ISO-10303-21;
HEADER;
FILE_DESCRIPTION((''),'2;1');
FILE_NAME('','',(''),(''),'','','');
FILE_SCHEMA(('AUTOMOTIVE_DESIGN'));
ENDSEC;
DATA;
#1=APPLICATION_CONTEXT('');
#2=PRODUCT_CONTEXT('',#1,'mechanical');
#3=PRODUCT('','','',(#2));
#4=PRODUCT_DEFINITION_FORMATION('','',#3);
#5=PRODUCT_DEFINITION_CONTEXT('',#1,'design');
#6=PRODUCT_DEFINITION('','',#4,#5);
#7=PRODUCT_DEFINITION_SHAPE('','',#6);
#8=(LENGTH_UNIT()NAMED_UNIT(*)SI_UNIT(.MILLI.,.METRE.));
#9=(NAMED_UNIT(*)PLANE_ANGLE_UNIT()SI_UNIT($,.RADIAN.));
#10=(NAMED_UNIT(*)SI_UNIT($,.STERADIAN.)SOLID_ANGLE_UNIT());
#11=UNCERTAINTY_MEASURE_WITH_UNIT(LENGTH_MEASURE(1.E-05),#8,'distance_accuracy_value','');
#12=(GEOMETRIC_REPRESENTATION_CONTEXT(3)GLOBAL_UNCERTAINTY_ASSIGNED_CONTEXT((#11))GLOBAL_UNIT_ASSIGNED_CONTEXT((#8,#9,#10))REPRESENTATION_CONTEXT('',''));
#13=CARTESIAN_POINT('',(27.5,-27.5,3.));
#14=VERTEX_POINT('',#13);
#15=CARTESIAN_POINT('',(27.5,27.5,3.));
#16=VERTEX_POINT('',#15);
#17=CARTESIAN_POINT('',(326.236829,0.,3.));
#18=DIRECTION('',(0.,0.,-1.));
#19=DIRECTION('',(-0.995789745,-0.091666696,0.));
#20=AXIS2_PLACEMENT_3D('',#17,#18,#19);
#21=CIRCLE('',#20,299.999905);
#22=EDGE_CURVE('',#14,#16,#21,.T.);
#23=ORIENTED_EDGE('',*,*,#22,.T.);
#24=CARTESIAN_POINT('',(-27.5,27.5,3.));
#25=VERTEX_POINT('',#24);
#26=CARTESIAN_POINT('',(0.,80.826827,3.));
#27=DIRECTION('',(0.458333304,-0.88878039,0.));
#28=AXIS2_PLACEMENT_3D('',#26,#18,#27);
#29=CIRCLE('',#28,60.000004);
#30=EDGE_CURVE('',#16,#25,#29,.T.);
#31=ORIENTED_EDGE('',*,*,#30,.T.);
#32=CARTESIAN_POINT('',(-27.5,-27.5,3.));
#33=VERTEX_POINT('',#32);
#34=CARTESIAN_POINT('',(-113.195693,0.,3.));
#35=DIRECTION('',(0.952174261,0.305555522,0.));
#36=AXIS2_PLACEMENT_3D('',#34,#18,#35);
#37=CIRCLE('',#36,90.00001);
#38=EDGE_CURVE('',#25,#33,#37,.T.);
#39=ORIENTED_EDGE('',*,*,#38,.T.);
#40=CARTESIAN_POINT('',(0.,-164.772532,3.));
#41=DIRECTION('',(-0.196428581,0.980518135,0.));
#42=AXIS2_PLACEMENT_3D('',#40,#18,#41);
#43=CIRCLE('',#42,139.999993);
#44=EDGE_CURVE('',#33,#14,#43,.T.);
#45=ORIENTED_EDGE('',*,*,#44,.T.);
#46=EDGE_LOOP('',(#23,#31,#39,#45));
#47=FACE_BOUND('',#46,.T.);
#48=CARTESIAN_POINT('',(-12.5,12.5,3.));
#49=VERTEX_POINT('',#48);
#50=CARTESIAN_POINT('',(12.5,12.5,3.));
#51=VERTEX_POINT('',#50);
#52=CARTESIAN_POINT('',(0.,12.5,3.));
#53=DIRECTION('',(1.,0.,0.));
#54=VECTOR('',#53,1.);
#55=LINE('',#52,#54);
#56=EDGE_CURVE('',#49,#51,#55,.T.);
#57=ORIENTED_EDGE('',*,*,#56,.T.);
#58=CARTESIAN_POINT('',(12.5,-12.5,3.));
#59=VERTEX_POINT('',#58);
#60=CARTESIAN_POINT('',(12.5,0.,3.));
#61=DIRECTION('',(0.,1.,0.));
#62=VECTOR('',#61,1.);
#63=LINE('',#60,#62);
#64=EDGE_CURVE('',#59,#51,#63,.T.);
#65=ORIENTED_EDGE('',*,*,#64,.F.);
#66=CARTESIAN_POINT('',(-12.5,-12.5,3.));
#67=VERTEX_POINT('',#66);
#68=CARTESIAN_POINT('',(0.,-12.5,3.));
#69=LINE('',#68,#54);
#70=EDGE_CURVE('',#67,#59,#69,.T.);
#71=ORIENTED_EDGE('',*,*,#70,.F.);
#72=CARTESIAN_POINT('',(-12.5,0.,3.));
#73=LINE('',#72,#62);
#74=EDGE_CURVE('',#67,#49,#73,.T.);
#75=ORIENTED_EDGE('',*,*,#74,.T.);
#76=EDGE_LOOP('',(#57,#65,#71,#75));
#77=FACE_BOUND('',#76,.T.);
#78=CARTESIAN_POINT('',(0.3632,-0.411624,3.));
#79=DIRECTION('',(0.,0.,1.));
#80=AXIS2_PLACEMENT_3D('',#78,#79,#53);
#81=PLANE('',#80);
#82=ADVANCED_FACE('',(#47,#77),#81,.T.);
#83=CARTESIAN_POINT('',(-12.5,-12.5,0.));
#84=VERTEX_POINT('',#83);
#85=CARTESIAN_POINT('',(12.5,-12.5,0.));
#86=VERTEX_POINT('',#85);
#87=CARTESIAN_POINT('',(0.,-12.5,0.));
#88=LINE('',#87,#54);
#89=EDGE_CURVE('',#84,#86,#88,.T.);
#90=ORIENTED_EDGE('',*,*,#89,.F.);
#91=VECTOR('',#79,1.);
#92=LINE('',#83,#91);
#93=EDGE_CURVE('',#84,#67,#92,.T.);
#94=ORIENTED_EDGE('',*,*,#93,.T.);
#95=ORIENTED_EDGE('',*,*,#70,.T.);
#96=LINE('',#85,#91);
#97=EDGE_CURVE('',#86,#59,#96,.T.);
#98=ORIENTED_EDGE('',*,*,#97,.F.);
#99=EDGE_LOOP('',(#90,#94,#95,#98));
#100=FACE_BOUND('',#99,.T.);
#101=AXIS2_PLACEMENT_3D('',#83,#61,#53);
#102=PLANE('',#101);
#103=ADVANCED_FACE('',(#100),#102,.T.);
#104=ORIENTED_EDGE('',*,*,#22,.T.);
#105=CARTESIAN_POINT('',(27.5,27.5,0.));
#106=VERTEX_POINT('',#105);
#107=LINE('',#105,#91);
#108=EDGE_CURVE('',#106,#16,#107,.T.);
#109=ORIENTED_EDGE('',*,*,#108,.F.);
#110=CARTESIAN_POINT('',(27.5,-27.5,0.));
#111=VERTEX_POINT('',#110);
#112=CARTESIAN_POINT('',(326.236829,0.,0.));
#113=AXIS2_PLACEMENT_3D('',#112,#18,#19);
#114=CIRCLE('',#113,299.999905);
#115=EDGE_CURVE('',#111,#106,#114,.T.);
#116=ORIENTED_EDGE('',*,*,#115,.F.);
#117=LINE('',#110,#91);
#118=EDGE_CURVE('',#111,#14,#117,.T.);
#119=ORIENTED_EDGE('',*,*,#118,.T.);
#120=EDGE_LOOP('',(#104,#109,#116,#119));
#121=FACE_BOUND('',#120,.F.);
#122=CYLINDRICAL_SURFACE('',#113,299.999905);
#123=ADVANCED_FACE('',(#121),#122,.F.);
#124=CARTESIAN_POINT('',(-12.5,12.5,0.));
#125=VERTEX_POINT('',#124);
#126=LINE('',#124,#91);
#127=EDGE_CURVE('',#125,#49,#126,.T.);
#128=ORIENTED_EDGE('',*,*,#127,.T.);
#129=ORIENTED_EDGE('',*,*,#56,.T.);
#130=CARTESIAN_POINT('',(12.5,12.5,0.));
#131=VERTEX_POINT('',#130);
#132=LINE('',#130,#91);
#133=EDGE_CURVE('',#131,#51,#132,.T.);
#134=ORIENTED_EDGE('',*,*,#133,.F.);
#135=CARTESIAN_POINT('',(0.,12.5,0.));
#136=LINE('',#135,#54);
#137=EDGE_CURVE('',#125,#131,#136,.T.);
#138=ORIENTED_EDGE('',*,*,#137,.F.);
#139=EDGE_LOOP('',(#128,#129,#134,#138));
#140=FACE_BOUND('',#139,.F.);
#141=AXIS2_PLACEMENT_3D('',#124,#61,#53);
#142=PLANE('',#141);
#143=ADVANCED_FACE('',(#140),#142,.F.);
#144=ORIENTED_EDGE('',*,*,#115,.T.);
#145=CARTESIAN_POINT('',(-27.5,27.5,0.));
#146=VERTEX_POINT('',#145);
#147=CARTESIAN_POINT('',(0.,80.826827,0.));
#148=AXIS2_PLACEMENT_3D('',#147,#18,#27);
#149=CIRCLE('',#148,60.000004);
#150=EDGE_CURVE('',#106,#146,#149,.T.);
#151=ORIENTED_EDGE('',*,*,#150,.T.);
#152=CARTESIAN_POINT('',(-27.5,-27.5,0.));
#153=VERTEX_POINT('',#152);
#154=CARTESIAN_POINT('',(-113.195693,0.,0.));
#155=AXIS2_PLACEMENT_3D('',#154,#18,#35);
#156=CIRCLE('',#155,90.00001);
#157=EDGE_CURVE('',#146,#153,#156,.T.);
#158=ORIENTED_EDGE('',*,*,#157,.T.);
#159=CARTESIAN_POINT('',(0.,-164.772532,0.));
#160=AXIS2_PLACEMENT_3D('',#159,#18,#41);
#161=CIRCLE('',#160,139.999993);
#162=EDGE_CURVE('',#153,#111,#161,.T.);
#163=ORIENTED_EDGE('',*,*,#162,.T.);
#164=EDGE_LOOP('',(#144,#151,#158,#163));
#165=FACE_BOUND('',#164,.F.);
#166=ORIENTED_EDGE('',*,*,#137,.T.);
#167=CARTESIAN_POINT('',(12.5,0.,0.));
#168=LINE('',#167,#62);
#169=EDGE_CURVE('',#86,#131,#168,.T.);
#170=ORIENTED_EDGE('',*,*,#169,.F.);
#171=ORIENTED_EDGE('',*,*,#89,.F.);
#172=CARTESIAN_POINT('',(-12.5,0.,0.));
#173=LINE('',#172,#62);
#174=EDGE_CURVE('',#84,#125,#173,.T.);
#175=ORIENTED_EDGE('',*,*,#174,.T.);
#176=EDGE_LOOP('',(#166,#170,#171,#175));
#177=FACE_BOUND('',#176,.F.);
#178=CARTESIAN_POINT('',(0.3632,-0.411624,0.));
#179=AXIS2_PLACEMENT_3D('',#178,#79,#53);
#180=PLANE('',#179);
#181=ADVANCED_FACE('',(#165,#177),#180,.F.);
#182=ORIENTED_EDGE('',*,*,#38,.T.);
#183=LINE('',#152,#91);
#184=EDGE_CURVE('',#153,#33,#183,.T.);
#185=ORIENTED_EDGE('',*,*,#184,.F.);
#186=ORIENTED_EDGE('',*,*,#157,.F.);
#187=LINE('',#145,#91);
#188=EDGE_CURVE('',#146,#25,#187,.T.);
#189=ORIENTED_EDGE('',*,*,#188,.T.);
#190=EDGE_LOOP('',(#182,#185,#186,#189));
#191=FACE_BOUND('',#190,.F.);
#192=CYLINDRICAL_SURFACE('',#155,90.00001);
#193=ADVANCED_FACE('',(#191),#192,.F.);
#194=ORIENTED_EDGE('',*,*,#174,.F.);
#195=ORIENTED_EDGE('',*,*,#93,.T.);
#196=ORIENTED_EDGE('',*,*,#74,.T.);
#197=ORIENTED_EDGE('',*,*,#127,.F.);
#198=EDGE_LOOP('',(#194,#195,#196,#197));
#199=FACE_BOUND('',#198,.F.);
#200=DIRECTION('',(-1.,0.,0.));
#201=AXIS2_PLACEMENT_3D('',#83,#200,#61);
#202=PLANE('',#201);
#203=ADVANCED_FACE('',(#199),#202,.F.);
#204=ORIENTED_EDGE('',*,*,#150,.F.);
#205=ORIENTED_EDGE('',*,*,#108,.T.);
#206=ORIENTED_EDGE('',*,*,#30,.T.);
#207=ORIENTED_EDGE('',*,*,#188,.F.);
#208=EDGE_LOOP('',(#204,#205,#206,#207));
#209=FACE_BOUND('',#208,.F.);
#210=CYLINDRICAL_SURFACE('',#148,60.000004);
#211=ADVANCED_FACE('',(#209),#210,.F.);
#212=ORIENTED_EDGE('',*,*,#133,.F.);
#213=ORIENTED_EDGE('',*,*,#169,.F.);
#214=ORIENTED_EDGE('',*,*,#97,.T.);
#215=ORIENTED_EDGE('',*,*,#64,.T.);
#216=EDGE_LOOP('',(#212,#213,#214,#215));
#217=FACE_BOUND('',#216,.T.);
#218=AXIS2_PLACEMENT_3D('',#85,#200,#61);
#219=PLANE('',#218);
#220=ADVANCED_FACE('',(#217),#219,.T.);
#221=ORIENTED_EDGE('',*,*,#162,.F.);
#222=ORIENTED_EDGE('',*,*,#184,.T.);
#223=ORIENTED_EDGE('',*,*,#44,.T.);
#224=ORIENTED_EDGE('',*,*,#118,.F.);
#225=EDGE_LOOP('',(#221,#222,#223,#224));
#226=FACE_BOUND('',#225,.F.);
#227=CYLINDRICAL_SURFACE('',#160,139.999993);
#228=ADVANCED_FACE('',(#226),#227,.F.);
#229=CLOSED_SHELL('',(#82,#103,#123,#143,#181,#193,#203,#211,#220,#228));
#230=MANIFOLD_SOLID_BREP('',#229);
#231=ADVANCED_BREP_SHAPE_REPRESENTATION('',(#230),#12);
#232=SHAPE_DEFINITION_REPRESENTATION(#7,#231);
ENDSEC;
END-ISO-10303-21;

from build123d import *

# Parameters (mm, degrees)
F0_W     = 25
F0_H     = 25
F1_DEPTH = 3


with BuildPart() as f1:
    # F0 (on Top) → F1 (new body)
    with BuildSketch(Plane.XY):
        with BuildLine():
            ThreePointArc((27.5, 27.5), (0, 20.826823), (-27.5, 27.5))
            ThreePointArc((-27.5, 27.5), (-23.195683, 0), (-27.5, -27.5))
            ThreePointArc((-27.5, -27.5), (0, -24.772539), (27.5, -27.5))
            ThreePointArc((27.5, -27.5), (26.236924, 0), (27.5, 27.5))
        make_face()
        Rectangle(F0_W, F0_H, mode=Mode.SUBTRACT)
    extrude(amount=F1_DEPTH)


solid = f1.part
